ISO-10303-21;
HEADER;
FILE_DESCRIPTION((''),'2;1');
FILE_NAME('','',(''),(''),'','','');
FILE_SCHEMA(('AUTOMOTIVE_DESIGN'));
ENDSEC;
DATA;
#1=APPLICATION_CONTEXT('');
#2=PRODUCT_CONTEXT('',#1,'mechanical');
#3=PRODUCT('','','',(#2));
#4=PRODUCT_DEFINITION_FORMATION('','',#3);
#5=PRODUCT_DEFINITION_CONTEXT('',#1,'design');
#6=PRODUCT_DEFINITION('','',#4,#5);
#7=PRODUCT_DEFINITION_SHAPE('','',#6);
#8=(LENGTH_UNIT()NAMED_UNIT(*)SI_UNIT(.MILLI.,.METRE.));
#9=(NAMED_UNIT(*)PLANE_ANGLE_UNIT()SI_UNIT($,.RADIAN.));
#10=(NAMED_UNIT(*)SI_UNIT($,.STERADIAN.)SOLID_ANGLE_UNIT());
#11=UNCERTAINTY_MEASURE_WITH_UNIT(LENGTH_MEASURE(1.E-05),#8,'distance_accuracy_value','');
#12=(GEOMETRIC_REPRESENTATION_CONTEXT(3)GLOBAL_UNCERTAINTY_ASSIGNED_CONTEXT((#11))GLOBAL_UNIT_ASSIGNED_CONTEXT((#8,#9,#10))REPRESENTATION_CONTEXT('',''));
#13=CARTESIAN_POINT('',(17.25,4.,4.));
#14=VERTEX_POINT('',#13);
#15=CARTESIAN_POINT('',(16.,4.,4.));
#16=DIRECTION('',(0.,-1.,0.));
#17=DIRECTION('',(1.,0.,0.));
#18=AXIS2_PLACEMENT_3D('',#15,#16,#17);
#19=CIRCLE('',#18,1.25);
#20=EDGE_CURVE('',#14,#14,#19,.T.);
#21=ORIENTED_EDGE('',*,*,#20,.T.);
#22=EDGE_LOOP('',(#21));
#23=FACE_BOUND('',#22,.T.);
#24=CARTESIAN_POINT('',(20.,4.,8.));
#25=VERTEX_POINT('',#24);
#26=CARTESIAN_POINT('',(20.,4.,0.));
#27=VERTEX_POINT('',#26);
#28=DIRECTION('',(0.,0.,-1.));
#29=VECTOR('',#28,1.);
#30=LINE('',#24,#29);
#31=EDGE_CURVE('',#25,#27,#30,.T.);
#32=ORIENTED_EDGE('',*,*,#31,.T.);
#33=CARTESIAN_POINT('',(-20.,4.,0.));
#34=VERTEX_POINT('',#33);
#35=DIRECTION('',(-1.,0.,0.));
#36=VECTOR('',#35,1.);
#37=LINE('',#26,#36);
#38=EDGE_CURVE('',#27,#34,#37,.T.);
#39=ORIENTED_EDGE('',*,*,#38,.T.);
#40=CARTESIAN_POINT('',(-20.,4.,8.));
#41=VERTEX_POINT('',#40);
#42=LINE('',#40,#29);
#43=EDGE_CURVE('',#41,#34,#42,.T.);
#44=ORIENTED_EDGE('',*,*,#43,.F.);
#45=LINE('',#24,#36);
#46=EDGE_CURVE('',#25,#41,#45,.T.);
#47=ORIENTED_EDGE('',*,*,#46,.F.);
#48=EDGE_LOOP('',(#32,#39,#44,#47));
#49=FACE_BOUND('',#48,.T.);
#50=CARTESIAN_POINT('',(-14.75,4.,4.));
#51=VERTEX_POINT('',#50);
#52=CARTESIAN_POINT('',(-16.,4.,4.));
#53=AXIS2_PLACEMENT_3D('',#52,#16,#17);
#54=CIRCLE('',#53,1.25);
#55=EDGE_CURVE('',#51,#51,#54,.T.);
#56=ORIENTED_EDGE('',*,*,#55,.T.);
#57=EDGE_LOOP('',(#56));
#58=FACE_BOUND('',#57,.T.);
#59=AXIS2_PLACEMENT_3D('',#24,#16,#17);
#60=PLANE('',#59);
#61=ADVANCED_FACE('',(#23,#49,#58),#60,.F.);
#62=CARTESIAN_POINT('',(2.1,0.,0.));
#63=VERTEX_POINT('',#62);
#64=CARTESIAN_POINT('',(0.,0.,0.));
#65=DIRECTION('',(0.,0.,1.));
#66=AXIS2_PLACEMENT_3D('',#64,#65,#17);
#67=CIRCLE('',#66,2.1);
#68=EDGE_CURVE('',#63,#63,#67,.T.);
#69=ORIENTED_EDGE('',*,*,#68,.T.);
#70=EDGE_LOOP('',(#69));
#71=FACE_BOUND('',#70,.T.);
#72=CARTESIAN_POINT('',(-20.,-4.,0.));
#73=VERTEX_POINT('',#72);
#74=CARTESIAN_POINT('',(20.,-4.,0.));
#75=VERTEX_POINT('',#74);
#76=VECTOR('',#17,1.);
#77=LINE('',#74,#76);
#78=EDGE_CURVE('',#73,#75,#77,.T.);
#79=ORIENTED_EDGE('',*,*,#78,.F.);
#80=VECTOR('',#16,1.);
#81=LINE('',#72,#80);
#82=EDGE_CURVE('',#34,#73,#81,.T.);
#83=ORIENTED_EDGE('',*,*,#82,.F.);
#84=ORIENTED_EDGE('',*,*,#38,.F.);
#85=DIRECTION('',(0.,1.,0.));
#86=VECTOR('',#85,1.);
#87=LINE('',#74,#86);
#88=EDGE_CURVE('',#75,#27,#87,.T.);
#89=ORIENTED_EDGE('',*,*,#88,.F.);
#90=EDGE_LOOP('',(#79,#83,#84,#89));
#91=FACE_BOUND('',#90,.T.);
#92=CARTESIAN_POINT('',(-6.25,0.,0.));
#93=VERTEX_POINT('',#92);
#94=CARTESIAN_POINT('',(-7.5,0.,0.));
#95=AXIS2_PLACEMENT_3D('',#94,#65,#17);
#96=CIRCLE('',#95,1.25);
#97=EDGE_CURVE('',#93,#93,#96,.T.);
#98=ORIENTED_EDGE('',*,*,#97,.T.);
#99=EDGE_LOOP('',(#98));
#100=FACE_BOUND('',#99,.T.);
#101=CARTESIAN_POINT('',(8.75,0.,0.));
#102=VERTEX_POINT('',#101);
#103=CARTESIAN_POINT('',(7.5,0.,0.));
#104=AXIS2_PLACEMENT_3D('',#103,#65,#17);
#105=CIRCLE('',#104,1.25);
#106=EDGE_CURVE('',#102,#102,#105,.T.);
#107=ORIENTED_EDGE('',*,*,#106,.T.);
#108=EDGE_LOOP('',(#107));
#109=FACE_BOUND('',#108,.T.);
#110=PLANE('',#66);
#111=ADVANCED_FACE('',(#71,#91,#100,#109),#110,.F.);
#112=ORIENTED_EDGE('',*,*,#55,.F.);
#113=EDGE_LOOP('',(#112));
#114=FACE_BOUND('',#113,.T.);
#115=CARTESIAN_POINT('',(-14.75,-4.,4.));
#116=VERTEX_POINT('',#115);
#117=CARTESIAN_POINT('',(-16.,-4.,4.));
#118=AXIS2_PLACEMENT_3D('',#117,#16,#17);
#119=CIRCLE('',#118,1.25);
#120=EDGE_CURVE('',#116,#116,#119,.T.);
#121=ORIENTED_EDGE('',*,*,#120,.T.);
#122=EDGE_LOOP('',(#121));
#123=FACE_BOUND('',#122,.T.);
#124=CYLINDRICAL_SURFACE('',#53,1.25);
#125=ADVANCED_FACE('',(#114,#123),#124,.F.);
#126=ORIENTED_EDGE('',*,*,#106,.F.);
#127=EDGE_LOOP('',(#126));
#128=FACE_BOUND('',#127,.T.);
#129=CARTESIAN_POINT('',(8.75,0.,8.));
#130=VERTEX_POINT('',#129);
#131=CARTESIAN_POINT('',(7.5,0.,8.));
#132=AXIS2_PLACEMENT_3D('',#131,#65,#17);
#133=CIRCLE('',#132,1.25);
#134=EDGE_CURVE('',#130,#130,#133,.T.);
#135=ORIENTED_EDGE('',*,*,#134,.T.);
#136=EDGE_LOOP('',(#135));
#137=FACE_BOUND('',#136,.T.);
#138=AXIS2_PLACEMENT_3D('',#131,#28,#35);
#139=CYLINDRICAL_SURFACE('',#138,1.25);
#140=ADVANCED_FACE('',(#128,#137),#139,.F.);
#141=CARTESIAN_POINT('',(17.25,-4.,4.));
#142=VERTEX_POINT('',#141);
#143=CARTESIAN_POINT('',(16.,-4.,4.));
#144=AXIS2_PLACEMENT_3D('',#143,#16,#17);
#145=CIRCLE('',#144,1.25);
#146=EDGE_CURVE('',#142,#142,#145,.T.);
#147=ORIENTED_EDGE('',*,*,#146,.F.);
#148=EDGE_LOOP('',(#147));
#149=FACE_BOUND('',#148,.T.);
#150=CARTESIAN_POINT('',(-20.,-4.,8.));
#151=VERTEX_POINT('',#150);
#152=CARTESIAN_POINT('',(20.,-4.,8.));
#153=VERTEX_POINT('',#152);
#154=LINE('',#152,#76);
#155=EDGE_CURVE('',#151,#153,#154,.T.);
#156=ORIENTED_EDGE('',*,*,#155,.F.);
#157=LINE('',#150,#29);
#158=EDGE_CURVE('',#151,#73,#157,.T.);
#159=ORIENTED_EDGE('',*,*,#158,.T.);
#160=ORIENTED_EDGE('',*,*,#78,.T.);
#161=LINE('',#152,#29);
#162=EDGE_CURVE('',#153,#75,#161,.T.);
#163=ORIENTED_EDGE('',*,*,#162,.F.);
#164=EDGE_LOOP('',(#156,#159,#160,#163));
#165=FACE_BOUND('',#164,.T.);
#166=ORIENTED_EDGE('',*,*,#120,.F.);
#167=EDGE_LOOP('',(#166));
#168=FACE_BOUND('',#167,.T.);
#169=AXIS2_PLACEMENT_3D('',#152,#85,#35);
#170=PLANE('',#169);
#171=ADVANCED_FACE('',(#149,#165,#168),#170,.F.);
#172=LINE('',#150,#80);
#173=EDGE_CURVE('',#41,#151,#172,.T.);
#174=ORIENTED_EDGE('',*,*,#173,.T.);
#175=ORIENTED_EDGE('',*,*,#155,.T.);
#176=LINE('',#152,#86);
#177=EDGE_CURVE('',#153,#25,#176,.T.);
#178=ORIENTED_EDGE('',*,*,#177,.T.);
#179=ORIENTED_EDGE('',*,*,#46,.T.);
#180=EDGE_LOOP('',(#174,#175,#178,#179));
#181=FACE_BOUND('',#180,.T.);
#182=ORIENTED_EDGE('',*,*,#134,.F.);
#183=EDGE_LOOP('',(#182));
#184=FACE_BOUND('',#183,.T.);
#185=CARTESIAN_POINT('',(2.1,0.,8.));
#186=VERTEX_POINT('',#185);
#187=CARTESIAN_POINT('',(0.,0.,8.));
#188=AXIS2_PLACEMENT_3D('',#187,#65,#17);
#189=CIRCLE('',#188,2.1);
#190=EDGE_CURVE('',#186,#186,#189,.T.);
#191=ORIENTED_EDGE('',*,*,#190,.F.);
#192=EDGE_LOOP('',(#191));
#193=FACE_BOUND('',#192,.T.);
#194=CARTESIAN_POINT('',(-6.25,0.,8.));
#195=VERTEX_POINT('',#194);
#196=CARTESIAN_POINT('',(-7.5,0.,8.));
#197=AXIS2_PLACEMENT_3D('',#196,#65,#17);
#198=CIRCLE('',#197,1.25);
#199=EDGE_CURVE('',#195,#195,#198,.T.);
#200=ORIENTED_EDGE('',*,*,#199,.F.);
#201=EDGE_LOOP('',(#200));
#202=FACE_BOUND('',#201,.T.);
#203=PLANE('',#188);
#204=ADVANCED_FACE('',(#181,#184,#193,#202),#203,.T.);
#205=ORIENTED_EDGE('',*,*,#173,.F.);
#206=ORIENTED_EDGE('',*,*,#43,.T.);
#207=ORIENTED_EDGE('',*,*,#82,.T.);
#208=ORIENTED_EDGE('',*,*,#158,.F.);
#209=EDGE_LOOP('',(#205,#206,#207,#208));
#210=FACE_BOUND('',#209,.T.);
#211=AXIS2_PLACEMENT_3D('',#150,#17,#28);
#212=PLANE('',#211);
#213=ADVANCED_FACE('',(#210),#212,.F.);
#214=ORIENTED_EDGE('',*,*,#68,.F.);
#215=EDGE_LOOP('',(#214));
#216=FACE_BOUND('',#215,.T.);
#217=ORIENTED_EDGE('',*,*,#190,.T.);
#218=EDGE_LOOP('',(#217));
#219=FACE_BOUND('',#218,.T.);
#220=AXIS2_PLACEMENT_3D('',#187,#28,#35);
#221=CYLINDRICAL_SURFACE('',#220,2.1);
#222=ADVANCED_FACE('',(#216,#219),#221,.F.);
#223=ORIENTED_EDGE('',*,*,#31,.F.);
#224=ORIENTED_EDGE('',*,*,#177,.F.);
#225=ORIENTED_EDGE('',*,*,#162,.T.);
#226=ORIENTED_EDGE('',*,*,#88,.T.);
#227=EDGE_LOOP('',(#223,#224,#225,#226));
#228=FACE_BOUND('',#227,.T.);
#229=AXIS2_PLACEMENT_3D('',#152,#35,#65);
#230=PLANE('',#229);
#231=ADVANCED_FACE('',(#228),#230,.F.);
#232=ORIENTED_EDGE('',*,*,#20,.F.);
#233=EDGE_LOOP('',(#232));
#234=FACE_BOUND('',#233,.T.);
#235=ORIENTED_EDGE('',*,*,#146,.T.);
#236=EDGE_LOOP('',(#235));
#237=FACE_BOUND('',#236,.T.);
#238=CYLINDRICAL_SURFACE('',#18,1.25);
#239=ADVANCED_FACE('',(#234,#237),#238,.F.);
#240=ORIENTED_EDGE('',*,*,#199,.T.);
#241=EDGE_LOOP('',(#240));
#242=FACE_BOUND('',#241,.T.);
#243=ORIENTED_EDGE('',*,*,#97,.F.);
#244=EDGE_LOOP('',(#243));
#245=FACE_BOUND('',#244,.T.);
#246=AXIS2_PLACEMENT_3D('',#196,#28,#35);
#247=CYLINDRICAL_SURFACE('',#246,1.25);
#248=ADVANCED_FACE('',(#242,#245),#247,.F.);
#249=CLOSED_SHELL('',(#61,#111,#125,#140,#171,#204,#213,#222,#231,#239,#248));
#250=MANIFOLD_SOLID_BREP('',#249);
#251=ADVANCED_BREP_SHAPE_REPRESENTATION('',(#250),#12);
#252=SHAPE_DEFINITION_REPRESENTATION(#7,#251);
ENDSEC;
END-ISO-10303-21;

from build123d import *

# Parameters (mm, degrees)
SKETCH1_W           = 40
SKETCH1_H           = 8
SKETCH1_R           = 2.1
SKETCH1_R_2         = 1.25
BOSS_EXTRUDE1_DEPTH = 8
SKETCH2_R           = 1.25
CUT_EXTRUDE1_DEPTH  = 9


with BuildPart() as part:
    # Sketch1 → Boss-Extrude1 (new body)
    with BuildSketch(Plane.XY):
        Rectangle(SKETCH1_W, SKETCH1_H)
        Circle(SKETCH1_R, mode=Mode.SUBTRACT)
        with Locations((7.5, 0)):
            Circle(SKETCH1_R_2, mode=Mode.SUBTRACT)
        with Locations((-7.5, 0)):
            Circle(SKETCH1_R_2, mode=Mode.SUBTRACT)
    extrude(amount=BOSS_EXTRUDE1_DEPTH)

    # Sketch2 → Cut-Extrude1 (cut, through all)
    with BuildSketch(Plane.XZ.offset(4)):
        with Locations((-16, 4)):
            Circle(SKETCH2_R)
        with Locations((16, 4)):
            Circle(SKETCH2_R)
    extrude(amount=-CUT_EXTRUDE1_DEPTH, mode=Mode.SUBTRACT)


solid = part.part
